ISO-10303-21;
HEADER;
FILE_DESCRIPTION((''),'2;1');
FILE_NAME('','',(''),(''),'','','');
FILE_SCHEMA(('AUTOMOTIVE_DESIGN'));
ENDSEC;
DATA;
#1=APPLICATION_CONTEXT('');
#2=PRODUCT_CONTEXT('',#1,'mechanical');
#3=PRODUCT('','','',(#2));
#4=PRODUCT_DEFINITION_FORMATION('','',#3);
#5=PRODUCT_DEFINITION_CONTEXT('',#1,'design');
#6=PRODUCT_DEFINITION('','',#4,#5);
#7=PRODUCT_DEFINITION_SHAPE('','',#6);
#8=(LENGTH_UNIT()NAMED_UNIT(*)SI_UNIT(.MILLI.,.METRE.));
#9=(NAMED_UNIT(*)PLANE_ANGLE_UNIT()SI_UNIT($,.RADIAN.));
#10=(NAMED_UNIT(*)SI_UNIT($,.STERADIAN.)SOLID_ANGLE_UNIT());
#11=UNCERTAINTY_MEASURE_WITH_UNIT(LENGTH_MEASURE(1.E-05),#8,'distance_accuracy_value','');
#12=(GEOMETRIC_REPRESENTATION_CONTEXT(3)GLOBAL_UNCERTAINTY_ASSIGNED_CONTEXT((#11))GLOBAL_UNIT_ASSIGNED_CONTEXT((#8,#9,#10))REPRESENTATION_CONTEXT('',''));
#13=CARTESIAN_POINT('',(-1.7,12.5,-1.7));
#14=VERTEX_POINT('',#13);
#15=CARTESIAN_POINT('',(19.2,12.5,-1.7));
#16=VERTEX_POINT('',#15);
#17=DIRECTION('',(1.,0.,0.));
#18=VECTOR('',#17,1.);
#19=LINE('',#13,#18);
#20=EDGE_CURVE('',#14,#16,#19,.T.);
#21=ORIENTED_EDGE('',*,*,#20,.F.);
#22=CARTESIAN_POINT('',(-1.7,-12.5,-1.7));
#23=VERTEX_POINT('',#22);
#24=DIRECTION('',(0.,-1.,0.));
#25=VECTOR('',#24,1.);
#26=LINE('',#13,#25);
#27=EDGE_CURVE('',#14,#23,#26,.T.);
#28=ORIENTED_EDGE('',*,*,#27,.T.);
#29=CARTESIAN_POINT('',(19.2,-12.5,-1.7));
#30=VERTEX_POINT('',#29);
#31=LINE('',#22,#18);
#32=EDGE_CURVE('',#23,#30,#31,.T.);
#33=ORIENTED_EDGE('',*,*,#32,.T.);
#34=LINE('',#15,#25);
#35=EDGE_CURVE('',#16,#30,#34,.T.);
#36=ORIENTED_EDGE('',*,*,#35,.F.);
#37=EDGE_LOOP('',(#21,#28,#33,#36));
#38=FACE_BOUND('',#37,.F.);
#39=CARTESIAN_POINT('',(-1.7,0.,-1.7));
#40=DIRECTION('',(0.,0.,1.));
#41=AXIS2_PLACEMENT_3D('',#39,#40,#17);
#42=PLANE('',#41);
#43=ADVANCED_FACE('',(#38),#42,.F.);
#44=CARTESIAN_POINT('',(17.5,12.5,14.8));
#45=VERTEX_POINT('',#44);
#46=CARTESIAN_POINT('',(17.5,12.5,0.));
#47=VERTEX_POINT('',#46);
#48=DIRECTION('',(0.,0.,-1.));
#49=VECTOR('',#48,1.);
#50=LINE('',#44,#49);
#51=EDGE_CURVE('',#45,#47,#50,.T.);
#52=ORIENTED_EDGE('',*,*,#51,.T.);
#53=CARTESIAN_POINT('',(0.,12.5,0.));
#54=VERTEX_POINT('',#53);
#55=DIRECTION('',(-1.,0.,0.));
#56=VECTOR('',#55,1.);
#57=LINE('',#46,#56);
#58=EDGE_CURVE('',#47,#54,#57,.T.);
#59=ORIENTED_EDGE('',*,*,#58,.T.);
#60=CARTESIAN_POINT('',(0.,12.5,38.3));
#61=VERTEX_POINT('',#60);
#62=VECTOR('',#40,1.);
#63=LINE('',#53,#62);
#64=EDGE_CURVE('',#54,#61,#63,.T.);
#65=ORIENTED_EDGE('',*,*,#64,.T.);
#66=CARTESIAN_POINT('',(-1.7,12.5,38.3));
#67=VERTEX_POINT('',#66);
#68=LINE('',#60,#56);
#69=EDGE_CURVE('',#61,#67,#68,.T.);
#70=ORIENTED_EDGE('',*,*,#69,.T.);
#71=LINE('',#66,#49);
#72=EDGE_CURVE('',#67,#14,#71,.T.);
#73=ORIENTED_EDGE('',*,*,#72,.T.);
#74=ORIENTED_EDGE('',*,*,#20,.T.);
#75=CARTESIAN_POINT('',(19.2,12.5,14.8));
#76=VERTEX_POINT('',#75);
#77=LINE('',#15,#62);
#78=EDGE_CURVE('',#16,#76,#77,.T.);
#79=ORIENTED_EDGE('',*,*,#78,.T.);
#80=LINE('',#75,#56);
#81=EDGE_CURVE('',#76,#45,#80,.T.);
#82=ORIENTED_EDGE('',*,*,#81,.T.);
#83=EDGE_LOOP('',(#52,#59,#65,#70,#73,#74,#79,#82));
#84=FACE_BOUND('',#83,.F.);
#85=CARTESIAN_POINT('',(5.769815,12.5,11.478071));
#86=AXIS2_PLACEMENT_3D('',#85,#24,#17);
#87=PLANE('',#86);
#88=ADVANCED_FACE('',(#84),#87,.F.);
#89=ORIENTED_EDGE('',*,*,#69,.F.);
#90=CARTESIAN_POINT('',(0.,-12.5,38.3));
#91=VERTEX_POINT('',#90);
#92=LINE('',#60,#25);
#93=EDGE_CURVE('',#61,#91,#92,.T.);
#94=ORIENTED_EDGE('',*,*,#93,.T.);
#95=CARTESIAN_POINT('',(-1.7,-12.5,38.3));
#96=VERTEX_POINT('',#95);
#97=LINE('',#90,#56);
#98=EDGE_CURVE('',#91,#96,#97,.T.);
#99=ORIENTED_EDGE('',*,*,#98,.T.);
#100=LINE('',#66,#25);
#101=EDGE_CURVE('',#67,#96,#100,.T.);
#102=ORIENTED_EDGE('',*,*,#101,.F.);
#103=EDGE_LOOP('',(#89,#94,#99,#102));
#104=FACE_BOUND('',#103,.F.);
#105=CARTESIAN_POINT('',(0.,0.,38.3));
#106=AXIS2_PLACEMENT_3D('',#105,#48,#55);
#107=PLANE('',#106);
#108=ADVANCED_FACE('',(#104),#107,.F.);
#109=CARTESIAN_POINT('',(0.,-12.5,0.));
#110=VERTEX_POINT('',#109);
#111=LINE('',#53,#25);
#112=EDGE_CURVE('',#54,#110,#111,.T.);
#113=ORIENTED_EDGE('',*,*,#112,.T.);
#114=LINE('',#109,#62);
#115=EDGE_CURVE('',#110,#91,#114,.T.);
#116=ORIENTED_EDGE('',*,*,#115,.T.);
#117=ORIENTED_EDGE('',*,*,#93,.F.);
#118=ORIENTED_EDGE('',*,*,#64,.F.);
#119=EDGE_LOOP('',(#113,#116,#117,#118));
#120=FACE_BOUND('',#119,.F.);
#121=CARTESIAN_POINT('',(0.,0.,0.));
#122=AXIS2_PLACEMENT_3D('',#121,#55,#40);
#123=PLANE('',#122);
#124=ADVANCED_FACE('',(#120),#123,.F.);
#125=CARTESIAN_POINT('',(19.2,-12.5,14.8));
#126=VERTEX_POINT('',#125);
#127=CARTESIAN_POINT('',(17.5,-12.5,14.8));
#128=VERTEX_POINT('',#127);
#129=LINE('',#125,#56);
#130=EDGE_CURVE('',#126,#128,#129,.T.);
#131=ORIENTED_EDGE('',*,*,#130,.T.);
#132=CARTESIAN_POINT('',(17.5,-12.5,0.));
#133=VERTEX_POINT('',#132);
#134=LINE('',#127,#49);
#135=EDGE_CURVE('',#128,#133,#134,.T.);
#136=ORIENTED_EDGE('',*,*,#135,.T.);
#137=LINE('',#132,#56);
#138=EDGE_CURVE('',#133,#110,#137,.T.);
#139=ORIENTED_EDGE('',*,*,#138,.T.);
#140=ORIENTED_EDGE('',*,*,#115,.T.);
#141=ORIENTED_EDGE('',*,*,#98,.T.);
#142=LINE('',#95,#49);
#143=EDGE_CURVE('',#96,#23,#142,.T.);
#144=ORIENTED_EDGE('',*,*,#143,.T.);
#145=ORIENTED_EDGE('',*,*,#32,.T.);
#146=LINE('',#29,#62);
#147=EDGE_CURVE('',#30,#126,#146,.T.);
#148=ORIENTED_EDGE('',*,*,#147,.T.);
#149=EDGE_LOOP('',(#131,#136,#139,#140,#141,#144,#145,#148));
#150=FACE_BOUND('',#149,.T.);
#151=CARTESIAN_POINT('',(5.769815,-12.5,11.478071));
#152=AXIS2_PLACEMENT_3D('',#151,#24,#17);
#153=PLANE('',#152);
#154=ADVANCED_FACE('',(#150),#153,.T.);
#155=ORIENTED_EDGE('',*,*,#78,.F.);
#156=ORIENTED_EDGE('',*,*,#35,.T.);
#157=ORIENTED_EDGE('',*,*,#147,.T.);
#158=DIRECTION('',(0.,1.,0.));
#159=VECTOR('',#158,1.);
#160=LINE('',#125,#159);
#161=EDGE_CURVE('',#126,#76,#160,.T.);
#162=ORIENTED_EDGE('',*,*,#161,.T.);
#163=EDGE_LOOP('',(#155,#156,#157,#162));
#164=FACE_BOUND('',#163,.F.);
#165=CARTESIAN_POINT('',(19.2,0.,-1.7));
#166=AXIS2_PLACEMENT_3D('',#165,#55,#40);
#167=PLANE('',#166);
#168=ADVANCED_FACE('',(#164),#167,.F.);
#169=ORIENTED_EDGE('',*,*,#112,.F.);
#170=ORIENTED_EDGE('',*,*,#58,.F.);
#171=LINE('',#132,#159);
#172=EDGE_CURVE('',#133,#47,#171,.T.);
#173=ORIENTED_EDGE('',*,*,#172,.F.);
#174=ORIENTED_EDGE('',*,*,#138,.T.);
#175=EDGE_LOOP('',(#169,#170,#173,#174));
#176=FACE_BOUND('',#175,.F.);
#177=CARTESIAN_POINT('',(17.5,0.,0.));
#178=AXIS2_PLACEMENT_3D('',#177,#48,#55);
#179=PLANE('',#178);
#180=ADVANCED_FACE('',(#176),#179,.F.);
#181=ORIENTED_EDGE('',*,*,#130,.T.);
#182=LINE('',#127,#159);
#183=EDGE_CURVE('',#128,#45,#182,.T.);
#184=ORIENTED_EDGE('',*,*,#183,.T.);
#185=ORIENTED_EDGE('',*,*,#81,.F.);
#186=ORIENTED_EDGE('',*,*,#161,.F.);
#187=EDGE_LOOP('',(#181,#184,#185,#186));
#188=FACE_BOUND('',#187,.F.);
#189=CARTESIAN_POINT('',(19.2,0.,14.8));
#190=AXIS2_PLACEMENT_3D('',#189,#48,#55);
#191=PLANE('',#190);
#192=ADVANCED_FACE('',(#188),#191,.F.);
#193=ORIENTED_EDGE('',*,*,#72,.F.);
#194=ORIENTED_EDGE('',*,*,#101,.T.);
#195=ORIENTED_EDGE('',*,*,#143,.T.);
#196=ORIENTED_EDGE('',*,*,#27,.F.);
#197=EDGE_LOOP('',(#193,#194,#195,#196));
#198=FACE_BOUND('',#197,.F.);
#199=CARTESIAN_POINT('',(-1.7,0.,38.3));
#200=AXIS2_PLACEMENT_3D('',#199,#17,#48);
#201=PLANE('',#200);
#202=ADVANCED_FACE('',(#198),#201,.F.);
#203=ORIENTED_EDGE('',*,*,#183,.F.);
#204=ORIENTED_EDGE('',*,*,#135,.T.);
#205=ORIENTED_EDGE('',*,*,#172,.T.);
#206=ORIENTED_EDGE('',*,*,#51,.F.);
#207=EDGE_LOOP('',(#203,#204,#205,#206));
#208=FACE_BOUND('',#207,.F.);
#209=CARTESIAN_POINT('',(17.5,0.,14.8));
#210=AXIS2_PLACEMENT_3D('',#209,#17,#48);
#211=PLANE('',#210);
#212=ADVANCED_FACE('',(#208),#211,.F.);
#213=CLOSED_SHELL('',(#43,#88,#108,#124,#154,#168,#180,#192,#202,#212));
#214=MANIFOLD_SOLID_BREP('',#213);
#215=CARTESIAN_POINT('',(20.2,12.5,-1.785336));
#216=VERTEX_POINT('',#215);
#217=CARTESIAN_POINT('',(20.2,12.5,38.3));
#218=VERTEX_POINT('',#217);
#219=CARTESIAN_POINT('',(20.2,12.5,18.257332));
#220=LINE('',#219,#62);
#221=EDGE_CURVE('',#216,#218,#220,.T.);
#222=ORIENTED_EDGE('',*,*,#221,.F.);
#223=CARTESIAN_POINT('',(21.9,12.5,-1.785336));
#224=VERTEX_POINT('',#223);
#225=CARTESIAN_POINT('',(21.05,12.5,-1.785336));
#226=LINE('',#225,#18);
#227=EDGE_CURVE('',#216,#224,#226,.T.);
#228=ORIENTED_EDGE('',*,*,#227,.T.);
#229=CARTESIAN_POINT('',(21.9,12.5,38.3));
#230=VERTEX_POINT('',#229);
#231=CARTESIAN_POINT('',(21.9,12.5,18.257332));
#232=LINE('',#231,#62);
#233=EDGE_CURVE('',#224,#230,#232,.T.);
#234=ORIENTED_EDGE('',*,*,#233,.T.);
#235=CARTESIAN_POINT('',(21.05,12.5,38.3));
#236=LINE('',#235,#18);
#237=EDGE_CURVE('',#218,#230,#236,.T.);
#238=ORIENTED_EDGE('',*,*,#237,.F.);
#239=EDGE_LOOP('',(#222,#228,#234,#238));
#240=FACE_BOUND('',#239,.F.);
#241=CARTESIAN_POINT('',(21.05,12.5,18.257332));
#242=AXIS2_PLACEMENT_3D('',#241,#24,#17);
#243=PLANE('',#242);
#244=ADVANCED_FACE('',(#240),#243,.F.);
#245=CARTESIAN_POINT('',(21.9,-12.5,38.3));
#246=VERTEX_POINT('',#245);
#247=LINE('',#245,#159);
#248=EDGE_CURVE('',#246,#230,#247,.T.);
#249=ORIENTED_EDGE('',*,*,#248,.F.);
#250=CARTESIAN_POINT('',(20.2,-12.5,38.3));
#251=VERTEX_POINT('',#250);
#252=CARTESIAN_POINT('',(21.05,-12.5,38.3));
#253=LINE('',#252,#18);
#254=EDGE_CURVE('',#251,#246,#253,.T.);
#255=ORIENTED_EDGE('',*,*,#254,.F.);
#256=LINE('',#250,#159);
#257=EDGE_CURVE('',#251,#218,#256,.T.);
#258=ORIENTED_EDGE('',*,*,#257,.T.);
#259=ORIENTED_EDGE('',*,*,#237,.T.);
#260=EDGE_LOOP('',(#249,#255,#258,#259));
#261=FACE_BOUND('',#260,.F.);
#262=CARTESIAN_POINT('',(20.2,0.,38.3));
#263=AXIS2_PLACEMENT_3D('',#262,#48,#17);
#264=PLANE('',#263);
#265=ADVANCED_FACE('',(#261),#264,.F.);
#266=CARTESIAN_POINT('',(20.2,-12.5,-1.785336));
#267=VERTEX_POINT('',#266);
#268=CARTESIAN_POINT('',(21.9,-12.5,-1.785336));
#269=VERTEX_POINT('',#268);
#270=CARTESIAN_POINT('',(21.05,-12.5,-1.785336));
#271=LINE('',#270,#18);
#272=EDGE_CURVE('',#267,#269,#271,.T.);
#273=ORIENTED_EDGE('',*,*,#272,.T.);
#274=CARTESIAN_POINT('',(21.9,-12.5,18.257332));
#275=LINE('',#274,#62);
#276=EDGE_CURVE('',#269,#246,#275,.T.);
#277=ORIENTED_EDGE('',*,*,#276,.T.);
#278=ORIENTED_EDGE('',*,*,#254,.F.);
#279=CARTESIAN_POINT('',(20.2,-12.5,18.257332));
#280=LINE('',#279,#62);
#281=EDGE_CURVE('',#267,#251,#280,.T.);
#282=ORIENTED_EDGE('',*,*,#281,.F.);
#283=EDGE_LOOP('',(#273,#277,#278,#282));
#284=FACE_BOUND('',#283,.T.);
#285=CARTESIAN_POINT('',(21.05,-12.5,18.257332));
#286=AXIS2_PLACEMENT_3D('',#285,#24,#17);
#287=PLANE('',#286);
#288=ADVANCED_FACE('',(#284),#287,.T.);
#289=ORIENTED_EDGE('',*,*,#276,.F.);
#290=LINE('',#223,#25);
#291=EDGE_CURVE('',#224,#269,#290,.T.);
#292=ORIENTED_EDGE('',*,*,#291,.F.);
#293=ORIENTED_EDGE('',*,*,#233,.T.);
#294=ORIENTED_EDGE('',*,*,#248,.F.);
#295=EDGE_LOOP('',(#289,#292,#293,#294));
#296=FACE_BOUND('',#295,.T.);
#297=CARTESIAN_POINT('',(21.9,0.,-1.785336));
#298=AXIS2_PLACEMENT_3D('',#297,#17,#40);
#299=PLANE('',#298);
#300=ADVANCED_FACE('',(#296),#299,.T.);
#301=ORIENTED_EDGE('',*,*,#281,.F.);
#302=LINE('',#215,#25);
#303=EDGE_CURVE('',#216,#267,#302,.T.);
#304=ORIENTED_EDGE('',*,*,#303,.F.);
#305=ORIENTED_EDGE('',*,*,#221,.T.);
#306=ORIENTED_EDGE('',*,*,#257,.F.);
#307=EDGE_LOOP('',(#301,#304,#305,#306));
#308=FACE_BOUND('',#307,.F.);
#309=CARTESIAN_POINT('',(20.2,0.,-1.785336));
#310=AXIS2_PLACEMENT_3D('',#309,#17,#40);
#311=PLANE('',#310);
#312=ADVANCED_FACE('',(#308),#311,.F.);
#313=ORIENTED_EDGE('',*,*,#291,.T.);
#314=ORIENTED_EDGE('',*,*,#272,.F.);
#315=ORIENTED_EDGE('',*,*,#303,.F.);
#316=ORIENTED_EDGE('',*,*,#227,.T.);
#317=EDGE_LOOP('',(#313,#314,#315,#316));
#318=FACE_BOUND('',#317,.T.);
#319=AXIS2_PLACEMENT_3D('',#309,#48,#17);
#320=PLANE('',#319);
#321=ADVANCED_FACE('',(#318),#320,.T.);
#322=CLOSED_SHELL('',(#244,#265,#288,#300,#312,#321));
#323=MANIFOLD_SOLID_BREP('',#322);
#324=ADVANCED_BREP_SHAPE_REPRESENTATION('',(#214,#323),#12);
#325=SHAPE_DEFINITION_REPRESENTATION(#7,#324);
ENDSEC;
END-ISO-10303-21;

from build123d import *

# Parameters (mm, degrees)
F0_W     = 1.7
F0_H     = 40.085336
F1_DEPTH = 12.5


with BuildPart() as f1:
    # F0 (on Front) → F1 (new body, symmetric)
    with BuildSketch(Plane.XZ):
        Polygon((17.5, 0), (0, 0), (0, 38.3), (-1.7, 38.3), (-1.7, -1.7), (19.2, -1.7), (19.2, 14.8), (17.5, 14.8), align=None)
        with Locations((21.05, 18.257332)):
            Rectangle(F0_W, F0_H)
    extrude(amount=F1_DEPTH, both=True)


solid = f1.part
